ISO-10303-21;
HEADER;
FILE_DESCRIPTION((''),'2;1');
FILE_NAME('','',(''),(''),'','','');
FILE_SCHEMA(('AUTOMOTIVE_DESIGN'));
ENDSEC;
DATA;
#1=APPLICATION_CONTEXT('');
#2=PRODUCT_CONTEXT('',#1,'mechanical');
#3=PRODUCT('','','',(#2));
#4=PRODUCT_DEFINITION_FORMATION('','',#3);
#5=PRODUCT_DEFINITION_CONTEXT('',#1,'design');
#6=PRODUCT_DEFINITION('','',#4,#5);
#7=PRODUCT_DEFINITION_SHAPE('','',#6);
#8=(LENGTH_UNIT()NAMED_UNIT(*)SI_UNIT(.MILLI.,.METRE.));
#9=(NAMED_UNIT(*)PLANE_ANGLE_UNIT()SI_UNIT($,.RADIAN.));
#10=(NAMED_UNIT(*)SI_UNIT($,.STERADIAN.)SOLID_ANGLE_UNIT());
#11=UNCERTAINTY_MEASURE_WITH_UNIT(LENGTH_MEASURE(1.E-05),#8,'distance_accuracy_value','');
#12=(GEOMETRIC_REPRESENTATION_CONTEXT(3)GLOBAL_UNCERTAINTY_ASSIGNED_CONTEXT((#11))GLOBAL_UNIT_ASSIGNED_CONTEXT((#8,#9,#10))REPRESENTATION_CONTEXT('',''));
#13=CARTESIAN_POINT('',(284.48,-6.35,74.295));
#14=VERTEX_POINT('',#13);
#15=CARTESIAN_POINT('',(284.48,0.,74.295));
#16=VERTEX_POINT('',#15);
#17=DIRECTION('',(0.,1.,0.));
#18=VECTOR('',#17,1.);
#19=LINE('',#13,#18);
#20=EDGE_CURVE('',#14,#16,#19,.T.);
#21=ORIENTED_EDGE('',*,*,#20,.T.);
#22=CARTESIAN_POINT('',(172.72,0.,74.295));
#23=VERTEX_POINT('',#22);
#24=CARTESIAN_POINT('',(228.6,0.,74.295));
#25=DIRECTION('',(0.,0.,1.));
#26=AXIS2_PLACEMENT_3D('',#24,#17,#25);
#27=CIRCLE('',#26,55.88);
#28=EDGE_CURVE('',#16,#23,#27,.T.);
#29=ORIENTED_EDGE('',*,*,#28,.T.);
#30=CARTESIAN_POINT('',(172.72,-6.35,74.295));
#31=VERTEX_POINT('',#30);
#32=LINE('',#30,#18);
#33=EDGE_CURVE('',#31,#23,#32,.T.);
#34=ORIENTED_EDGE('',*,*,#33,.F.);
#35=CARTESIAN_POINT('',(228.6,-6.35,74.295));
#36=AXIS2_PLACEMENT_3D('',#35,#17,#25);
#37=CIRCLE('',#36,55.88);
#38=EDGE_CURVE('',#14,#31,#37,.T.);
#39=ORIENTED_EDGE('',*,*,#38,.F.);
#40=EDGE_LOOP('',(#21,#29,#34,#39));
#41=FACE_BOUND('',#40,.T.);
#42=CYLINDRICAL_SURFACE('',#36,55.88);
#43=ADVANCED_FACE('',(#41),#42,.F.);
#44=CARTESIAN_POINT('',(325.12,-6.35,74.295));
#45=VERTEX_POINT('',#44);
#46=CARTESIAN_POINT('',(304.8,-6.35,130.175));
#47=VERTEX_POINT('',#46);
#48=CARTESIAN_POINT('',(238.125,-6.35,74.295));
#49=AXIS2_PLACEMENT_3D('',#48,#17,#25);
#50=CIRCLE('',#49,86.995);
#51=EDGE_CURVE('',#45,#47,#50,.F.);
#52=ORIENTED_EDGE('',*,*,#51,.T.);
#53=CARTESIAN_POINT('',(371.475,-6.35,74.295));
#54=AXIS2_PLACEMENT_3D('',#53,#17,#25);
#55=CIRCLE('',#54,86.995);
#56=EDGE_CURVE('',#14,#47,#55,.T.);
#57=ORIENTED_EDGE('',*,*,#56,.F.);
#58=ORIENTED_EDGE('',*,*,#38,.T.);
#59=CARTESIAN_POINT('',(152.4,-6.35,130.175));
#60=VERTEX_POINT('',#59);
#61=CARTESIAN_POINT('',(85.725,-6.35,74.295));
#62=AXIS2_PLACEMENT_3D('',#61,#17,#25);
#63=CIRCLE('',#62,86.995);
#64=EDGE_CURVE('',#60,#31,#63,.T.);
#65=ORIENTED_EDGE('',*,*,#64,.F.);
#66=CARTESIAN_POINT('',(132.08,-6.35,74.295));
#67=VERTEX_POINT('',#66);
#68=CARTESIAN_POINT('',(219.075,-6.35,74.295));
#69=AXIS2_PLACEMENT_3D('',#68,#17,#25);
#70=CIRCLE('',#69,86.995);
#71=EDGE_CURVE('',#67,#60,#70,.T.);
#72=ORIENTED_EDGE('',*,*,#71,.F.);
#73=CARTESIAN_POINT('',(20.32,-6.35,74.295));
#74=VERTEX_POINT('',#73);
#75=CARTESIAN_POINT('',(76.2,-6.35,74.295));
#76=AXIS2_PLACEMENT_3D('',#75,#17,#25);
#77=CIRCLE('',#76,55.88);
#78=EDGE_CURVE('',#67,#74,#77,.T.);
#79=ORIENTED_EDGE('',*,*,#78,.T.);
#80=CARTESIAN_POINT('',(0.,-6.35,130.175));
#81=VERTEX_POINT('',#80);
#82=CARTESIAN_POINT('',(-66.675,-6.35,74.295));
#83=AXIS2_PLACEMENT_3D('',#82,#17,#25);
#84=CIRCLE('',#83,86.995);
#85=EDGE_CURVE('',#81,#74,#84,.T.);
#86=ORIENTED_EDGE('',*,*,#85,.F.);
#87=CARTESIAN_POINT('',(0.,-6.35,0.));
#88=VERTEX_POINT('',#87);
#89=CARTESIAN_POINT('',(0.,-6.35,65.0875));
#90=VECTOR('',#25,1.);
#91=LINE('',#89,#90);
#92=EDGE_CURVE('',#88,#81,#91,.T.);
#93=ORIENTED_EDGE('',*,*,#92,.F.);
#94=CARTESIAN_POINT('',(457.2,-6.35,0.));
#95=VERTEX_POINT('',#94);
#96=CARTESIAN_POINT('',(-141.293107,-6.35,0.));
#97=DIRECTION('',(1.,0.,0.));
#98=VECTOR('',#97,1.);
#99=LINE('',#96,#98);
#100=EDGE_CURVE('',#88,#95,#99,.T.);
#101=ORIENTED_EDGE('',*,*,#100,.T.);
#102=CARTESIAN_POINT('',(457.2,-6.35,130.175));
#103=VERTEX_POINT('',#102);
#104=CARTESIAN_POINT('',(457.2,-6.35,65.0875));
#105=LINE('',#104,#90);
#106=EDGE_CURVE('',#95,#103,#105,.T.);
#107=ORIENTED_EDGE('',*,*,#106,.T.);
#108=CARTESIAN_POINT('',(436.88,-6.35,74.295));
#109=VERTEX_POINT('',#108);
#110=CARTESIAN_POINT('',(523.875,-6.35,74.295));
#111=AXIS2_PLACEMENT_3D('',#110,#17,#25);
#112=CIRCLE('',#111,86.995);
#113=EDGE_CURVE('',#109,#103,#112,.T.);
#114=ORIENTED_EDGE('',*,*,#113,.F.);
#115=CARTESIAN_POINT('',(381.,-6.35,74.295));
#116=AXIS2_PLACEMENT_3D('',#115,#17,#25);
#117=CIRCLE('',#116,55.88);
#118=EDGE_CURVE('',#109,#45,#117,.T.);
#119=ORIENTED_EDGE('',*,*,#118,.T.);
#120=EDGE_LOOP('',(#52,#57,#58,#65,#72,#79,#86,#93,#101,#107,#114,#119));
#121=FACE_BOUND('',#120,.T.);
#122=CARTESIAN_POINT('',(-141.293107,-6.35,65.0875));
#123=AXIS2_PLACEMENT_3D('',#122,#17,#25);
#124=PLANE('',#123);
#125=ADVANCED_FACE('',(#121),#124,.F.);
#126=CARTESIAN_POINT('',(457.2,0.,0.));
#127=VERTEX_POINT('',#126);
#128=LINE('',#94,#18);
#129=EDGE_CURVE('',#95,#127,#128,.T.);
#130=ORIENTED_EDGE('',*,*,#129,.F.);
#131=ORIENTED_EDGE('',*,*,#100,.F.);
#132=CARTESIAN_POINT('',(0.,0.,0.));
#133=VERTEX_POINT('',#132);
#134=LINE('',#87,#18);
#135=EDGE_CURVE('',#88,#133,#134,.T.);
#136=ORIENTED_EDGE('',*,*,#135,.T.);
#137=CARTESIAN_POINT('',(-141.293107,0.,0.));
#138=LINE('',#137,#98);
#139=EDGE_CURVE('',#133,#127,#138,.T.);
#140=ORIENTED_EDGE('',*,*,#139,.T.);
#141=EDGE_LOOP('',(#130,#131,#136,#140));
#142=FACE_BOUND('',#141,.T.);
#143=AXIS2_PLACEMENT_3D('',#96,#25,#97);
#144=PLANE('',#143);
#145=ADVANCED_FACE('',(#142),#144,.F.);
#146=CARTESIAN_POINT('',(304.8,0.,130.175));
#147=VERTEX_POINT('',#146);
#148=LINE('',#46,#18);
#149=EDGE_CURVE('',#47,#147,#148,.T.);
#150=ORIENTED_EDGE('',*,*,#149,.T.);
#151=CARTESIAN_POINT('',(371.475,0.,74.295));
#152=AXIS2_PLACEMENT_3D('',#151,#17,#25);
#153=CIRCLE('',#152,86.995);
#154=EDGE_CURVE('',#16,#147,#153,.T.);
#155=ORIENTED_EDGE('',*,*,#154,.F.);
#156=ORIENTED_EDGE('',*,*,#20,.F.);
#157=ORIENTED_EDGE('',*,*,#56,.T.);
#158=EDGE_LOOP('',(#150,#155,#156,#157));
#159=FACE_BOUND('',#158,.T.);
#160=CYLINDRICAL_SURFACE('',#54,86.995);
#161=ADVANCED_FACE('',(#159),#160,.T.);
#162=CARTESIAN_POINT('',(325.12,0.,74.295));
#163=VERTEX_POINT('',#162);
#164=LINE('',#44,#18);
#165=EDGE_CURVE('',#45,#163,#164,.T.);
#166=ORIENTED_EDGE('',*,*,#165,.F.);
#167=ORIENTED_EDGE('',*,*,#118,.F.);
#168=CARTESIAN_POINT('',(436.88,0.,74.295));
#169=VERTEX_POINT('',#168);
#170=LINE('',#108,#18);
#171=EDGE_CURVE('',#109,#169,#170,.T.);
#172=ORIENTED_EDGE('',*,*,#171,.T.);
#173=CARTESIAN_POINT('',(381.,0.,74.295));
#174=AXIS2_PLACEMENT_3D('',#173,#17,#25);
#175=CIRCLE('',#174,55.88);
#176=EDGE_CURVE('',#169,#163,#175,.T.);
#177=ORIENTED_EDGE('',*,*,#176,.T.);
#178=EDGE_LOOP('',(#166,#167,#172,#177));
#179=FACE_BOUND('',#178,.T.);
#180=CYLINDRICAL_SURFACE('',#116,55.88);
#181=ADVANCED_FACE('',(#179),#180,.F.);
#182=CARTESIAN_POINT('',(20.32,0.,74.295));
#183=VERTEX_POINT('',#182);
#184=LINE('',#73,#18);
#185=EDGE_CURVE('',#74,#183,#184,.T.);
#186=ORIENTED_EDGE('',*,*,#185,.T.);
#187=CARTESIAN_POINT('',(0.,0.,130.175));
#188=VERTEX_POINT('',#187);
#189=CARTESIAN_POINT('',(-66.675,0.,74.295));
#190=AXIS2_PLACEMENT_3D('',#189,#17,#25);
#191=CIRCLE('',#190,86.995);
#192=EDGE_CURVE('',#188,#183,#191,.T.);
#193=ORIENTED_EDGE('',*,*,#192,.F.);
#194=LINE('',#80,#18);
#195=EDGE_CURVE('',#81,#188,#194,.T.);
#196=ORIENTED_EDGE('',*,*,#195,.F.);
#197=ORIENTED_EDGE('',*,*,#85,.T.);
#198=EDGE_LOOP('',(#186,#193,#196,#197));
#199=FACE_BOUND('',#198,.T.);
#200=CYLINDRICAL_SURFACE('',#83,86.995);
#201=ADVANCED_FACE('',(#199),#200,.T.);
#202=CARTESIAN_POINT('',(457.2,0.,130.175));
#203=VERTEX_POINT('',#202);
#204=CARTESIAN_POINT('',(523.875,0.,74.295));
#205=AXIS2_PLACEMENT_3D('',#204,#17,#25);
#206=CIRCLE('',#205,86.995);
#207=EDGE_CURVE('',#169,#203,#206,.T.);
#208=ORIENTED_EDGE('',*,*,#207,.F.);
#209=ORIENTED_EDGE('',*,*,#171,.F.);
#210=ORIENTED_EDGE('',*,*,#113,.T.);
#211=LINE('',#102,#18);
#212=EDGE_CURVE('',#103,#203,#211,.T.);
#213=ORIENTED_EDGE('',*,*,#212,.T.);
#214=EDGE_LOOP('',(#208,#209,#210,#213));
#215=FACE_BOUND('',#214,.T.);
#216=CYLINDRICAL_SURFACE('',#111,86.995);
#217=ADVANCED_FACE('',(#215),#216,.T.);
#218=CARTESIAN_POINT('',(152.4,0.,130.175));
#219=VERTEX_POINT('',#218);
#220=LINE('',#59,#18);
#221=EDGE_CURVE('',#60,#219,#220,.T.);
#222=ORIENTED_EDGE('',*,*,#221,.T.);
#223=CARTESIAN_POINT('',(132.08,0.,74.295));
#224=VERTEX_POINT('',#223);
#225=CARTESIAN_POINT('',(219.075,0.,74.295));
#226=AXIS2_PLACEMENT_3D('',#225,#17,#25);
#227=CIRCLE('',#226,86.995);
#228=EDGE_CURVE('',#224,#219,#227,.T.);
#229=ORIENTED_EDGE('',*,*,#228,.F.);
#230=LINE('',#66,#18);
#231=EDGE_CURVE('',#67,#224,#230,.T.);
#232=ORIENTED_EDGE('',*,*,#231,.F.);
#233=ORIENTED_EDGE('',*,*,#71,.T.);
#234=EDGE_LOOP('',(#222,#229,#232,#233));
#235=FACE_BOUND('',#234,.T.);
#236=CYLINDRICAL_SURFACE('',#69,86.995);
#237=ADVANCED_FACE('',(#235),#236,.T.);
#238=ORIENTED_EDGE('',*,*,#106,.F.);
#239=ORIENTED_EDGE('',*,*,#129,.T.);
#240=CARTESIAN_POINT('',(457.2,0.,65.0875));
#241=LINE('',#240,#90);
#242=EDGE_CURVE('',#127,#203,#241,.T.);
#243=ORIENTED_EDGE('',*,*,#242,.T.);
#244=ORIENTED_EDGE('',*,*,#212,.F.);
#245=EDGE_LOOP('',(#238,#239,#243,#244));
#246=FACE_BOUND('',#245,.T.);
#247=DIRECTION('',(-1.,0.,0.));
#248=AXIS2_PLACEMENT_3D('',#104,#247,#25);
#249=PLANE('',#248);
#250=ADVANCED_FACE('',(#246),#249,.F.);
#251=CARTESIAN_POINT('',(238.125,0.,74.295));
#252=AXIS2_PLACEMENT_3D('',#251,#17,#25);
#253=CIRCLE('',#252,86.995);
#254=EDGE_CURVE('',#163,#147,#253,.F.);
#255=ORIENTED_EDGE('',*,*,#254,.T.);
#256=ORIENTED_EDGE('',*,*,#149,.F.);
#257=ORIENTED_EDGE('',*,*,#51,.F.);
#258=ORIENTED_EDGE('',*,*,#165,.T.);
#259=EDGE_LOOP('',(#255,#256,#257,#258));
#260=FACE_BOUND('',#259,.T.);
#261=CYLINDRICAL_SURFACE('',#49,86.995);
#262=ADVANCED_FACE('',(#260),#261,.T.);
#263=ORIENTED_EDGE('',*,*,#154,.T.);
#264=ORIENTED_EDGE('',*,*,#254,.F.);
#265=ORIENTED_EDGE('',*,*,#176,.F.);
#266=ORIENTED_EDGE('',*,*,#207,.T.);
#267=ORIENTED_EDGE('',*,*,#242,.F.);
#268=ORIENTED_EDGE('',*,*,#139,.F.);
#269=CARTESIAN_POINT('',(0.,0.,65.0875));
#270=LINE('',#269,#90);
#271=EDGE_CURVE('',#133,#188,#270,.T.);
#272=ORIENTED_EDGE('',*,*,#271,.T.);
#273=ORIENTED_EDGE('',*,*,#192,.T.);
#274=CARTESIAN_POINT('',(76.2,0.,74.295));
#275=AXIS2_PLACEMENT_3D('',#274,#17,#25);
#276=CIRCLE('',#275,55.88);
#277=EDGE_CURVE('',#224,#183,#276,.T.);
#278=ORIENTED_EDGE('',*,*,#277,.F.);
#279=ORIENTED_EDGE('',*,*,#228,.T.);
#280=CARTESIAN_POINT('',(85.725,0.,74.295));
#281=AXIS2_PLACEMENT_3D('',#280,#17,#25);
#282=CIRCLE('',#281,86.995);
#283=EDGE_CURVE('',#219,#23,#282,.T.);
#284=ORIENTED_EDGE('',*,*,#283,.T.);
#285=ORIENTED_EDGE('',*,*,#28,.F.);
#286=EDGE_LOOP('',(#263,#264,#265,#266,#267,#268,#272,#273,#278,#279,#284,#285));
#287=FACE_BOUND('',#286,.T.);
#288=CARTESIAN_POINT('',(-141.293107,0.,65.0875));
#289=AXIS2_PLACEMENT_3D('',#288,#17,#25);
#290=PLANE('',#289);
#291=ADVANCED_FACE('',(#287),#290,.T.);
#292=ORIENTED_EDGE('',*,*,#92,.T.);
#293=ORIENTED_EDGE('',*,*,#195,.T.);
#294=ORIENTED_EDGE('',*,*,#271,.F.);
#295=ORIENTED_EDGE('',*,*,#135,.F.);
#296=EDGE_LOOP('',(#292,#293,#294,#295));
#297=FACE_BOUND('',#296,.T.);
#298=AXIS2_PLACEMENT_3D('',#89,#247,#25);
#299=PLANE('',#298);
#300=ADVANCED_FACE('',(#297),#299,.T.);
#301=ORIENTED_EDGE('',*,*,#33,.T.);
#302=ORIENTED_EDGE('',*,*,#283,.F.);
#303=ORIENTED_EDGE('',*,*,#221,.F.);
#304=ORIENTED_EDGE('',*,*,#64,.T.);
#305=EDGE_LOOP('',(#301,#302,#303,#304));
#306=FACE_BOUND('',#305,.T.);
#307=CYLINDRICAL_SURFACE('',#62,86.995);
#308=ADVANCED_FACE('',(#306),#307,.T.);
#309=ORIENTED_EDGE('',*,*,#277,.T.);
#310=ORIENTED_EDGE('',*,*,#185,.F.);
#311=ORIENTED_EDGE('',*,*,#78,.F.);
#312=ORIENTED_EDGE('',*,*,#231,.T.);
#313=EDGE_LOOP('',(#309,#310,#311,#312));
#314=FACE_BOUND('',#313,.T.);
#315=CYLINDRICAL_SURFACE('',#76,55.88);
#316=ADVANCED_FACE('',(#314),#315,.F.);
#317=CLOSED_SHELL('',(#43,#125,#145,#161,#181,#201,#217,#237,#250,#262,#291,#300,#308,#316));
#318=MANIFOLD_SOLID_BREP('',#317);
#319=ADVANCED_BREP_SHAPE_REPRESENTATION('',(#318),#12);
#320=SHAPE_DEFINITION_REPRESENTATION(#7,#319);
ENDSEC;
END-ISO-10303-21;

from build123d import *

# Parameters (mm, degrees)
BOSS_EXTRUDE1_DEPTH = 6.35


with BuildPart() as part:
    # Sketch1 → Boss-Extrude1 (new body)
    with BuildSketch(Plane(origin=(0, 0, 0), x_dir=(1, 0, 0), z_dir=(0, 1, 0))):
        with BuildLine():
            ThreePointArc((132.08, -74.295), (137.317671124, -104.024937773), (152.4, -130.175))
            Line((152.4, -130.175), (152.4, 0))
            Line((152.4, 0), (0, 0))
            Line((0, 0), (0, -130.175))
            ThreePointArc((0, -130.175), (15.082328876, -104.024937773), (20.32, -74.295))
            ThreePointArc((20.32, -74.295), (76.2, -18.415), (132.08, -74.295))
        make_face()
        with BuildLine():
            Line((152.4, 0), (152.4, -130.175))
            ThreePointArc((152.4, -130.175), (167.482328876, -104.024937773), (172.72, -74.295))
            ThreePointArc((172.72, -74.295), (228.6, -18.415), (284.48, -74.295))
            ThreePointArc((284.48, -74.295), (289.717671124, -104.024937773), (304.8, -130.175))
            Line((304.8, -130.175), (304.8, 0))
            Line((304.8, 0), (152.4, 0))
        make_face()
        with BuildLine():
            Line((457.2, 0), (304.8, 0))
            Line((304.8, 0), (304.8, -130.175))
            ThreePointArc((304.8, -130.175), (319.882328876, -104.024937773), (325.12, -74.295))
            ThreePointArc((325.12, -74.295), (381, -18.415), (436.88, -74.295))
            ThreePointArc((436.88, -74.295), (442.117671124, -104.024937773), (457.2, -130.175))
            Line((457.2, -130.175), (457.2, 0))
        make_face()
    extrude(amount=-BOSS_EXTRUDE1_DEPTH)


solid = part.part
